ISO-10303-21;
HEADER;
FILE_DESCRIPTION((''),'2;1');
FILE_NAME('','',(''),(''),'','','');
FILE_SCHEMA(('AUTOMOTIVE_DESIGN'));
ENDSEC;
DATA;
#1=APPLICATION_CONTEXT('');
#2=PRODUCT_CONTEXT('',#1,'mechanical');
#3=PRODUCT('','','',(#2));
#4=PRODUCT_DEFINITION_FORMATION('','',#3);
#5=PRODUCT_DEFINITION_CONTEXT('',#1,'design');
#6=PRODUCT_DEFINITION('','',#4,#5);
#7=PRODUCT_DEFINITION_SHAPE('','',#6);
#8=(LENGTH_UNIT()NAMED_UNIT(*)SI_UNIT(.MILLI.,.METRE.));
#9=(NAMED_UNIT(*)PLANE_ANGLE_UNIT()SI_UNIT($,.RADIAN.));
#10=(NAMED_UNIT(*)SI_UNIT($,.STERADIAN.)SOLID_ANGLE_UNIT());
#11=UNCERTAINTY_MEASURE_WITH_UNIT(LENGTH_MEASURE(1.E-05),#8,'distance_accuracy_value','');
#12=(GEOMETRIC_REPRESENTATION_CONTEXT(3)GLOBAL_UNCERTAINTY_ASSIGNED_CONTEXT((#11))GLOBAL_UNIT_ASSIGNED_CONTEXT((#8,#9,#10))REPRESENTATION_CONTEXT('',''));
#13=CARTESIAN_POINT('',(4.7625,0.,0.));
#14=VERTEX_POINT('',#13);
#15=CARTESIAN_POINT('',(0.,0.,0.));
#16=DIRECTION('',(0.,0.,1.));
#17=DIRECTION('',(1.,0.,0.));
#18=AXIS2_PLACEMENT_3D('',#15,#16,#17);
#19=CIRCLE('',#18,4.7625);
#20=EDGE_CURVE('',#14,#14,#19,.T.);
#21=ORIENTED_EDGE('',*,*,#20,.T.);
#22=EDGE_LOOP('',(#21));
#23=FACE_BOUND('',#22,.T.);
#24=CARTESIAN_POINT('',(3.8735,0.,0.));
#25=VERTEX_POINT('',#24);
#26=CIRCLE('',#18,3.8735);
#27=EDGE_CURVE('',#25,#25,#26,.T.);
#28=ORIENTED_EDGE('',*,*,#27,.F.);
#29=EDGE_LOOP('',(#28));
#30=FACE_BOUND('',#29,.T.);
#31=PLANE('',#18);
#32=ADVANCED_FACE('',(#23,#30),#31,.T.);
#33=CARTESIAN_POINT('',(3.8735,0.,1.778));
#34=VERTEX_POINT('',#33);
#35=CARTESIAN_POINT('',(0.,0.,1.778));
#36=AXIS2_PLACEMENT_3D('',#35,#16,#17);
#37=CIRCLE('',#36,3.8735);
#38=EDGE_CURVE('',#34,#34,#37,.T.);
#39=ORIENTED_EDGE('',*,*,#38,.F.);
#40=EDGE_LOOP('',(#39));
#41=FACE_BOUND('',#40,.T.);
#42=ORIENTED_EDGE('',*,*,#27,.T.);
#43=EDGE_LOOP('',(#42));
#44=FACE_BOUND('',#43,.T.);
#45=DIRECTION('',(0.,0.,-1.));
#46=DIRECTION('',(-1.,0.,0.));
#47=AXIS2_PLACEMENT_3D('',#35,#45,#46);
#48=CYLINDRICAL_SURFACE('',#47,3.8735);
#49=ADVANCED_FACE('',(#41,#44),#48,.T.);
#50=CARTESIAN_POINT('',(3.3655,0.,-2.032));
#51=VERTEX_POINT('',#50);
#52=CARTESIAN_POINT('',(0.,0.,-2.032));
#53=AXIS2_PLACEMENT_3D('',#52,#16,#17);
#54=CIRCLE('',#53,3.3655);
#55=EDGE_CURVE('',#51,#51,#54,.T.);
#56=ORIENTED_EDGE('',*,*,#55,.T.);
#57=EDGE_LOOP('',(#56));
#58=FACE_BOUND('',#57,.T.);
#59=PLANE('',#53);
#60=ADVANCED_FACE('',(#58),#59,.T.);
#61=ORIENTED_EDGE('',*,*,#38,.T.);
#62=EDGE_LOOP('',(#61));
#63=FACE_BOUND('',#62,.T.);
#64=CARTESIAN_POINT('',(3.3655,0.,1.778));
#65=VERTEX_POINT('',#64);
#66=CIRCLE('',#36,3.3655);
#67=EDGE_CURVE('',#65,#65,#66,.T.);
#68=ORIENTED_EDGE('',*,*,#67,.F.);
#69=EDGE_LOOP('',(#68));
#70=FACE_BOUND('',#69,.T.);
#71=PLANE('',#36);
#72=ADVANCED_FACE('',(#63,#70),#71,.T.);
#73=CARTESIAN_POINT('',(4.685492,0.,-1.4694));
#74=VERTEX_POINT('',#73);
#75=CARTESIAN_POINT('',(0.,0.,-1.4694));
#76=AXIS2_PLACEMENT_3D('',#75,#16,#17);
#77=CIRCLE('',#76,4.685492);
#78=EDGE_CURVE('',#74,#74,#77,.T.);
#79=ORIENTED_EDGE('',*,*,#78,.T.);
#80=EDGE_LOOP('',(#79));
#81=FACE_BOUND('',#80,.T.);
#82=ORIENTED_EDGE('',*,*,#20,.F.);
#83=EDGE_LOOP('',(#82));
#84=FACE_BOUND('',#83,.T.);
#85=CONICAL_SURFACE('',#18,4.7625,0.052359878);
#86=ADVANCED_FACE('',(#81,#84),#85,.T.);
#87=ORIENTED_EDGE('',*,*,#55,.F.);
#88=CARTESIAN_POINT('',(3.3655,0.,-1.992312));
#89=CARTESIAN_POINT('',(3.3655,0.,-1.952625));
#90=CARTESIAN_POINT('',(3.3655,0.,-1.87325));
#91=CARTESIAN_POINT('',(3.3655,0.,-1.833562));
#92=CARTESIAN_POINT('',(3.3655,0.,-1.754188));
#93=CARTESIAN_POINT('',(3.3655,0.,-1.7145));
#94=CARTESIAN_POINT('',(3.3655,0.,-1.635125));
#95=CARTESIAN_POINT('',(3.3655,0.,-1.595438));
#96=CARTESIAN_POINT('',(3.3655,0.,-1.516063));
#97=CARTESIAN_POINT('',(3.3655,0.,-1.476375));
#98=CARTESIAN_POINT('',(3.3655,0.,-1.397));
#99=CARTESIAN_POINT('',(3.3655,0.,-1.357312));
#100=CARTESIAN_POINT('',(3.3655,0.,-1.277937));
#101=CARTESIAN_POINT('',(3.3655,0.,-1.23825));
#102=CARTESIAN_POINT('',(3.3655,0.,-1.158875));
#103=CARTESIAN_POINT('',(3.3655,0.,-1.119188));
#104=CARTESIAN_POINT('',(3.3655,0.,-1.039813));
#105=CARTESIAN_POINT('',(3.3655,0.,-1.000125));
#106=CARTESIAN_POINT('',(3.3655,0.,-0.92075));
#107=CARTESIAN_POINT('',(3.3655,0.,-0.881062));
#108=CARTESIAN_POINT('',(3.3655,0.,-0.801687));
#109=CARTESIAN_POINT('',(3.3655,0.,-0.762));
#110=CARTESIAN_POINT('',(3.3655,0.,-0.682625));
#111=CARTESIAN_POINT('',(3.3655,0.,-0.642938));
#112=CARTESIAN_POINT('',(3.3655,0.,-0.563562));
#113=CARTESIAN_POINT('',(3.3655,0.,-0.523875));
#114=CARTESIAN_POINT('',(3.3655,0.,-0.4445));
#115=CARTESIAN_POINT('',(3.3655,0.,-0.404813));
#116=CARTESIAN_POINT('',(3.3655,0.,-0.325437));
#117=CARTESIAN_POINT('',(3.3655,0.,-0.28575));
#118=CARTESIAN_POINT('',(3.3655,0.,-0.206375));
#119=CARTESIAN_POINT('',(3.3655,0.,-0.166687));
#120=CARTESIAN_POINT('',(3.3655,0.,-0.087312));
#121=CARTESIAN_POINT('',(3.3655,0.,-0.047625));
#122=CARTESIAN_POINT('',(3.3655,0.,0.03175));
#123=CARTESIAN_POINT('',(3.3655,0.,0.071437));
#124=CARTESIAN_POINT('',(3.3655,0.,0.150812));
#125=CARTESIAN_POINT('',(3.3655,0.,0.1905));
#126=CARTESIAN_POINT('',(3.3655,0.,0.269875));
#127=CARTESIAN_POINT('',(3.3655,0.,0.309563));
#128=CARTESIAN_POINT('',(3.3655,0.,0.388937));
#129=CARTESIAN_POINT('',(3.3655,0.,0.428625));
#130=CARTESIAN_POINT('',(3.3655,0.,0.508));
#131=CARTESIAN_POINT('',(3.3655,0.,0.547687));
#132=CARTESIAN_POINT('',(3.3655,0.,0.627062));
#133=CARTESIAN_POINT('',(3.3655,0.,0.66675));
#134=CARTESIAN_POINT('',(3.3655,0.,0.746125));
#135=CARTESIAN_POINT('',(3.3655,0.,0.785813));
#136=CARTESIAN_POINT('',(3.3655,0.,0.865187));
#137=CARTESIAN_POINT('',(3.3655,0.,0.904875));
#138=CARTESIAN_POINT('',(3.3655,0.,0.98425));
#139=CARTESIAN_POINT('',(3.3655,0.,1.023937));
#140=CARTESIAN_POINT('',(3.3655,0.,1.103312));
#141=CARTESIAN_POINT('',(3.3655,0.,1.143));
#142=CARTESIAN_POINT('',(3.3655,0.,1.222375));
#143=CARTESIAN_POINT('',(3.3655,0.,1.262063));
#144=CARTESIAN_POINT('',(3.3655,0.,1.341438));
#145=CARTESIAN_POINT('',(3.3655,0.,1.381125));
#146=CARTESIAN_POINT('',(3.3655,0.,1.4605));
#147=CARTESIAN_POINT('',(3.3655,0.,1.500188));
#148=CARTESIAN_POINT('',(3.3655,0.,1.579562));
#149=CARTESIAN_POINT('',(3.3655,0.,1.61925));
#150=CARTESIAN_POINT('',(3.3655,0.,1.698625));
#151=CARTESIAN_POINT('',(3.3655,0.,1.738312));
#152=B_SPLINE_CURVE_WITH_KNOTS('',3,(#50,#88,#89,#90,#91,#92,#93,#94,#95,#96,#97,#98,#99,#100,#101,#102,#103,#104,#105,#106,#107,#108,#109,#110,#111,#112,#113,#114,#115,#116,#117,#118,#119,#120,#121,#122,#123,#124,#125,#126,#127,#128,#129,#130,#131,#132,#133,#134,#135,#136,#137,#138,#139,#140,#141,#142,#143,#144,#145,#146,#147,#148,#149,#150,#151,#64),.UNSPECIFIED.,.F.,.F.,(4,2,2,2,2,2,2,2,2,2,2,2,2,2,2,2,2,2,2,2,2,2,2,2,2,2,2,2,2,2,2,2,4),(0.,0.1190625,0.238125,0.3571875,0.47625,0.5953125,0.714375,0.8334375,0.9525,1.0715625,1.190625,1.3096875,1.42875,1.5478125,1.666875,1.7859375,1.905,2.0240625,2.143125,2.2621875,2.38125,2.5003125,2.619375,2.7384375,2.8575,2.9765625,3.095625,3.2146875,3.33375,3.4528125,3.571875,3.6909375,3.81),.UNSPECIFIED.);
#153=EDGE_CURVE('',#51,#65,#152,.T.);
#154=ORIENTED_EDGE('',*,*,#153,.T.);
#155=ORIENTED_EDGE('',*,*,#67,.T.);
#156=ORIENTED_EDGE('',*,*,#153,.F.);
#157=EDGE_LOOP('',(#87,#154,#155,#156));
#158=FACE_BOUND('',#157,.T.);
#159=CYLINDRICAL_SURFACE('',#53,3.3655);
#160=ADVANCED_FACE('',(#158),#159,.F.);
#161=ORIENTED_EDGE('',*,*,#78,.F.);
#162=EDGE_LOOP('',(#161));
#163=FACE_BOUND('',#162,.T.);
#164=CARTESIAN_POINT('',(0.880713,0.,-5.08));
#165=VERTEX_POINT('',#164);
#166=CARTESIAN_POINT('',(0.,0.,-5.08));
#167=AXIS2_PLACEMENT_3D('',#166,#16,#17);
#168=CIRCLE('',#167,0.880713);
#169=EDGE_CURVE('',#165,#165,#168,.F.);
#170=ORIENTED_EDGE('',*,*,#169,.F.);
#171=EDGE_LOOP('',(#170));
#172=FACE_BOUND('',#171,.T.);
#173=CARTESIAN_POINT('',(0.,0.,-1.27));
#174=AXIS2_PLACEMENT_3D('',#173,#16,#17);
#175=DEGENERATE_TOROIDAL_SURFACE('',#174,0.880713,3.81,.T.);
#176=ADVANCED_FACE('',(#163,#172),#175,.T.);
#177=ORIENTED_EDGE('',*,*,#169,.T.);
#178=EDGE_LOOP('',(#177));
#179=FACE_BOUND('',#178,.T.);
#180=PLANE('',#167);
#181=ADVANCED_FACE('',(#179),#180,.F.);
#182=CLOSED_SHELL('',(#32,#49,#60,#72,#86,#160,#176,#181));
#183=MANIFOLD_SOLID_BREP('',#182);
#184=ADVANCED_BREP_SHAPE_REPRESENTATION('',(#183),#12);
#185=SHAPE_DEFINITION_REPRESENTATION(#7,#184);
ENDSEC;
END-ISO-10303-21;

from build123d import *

# Parameters (mm, degrees)
SKETCH1_R           = 4.7625
BASE_EXTRUDE_DEPTH  = 5.08
BASE_EXTRUDE_DRAFT  = -3
FILLET3_R           = 3.81
SKETCH2_R           = 3.8735
BOSS_EXTRUDE1_DEPTH = 1.778
SKETCH3_R           = 3.3655
CUT_EXTRUDE1_DEPTH  = 3.81


with BuildPart() as part:
    # Sketch1 → Base-Extrude (with draft: the straight prism first)
    with BuildSketch(Plane.XY):
        Circle(SKETCH1_R)
    extrude(amount=-BASE_EXTRUDE_DEPTH)
    # Base-Extrude: the draft: its side faces are tilted about the plane it starts from
    base_extrude_sides = [part.faces().sort_by_distance(p)[0] for p in [
        (-4.7625, 0, -2.54),
    ]]
    draft(base_extrude_sides, Plane.XY, BASE_EXTRUDE_DRAFT)

    # Fillet3
    fillet3_edges = [part.edges().sort_by_distance(p)[0] for p in [
        (-4.496268481, 0, -5.08),
    ]]
    fillet(fillet3_edges, radius=FILLET3_R)

    # Sketch2 → Boss-Extrude1 (add)
    with BuildSketch(Plane.XY):
        Circle(SKETCH2_R)
    extrude(amount=BOSS_EXTRUDE1_DEPTH)

    # Sketch3 → Cut-Extrude1 (cut)
    with BuildSketch(Plane.XY.offset(1.778)):
        Circle(SKETCH3_R)
    extrude(amount=-CUT_EXTRUDE1_DEPTH, mode=Mode.SUBTRACT)


solid = part.part
